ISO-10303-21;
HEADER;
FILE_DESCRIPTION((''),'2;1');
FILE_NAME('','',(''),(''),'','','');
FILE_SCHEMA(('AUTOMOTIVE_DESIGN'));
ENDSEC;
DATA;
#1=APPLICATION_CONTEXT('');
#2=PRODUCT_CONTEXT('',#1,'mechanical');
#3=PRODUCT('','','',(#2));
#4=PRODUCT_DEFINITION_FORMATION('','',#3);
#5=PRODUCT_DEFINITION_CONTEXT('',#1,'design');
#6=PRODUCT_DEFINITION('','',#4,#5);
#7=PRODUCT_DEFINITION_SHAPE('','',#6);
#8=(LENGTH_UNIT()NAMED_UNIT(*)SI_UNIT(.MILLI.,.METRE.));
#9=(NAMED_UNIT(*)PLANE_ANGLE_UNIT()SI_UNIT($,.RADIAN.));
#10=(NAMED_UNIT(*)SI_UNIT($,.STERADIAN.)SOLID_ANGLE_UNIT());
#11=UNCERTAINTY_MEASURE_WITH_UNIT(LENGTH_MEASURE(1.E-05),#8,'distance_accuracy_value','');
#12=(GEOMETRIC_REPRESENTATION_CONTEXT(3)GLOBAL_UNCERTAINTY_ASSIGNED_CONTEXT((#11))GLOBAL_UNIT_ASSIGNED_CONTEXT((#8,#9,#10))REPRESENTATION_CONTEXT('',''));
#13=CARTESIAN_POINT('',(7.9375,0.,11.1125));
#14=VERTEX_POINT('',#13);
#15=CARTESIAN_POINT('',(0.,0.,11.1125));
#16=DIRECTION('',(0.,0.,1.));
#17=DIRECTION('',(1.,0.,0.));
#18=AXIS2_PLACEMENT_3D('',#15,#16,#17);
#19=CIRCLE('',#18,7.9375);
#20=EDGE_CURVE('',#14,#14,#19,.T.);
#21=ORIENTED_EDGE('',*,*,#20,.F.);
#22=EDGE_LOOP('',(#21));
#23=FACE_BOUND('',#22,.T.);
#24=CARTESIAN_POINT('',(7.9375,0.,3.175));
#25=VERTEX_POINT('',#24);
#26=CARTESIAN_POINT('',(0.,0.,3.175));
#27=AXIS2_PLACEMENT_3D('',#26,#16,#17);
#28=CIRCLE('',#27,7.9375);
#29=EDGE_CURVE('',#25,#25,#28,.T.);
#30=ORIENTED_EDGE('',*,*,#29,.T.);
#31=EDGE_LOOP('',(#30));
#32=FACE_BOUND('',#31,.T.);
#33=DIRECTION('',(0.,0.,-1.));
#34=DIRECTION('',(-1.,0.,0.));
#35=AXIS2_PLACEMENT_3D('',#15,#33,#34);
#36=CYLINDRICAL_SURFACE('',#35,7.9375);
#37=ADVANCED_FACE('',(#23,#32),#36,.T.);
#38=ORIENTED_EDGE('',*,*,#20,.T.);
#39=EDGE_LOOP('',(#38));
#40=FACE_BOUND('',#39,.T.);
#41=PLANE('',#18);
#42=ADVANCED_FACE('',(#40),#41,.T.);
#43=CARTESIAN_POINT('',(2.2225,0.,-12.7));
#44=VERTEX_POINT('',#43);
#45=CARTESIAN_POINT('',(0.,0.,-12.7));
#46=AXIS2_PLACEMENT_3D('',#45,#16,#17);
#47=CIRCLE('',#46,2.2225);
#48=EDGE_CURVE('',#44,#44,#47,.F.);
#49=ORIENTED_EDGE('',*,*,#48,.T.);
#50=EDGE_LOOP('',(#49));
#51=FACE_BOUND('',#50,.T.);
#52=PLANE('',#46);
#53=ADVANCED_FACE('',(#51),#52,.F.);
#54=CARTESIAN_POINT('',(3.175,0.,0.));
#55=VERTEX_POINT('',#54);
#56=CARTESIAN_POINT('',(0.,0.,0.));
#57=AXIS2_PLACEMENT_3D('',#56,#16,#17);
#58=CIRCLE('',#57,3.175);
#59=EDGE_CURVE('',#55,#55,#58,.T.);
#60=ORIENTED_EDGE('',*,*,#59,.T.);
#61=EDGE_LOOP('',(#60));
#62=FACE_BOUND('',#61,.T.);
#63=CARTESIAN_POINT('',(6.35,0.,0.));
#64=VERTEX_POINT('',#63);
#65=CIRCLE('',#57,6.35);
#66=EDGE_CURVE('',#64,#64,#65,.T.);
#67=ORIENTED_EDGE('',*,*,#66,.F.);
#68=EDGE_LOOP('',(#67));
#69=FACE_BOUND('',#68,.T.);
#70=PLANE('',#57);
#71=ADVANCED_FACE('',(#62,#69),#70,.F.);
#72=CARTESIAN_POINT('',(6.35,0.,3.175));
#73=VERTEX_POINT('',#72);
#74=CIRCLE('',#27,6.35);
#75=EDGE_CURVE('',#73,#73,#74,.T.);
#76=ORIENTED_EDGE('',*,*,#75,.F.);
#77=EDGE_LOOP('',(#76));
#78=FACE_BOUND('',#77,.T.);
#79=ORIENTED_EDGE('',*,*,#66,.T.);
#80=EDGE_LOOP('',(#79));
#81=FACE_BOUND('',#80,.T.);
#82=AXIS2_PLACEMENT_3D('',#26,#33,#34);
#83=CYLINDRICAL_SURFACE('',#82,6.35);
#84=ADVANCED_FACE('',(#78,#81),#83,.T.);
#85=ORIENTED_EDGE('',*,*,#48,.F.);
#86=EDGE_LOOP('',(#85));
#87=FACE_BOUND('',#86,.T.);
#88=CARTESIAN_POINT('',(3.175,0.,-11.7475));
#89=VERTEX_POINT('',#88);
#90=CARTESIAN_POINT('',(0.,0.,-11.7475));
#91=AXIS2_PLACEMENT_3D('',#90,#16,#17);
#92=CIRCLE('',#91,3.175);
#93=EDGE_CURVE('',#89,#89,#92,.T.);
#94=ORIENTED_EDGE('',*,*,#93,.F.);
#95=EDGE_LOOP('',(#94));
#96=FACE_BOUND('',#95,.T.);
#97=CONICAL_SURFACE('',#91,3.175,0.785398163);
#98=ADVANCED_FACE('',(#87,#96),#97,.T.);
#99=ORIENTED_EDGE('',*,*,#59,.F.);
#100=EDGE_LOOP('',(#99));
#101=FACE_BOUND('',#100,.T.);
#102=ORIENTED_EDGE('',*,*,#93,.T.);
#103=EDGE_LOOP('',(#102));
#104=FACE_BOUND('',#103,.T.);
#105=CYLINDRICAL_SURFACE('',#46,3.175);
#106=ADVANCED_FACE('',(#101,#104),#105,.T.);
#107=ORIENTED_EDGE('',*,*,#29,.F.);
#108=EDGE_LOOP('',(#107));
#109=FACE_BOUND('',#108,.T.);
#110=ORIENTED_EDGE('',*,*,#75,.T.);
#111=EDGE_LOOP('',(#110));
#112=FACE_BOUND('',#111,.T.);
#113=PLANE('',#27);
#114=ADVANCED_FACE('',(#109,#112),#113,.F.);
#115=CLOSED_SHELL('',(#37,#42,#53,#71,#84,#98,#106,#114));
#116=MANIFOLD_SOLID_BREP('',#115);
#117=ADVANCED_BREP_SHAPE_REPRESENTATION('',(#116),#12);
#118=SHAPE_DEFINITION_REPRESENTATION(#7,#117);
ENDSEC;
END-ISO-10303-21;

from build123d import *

# Parameters (mm, degrees)
SKETCH1_R           = 3.175
EXTRUDE1_DEPTH      = 12.7
CHAMFER2_SIZE       = 0.9525
SKETCH27_R          = 6.35
BOSS_EXTRUDE4_DEPTH = 3.175
SKETCH21_R          = 7.9375
BOSS_EXTRUDE1_DEPTH = 7.9375


with BuildPart() as part:
    # Sketch1 → Extrude1 (new body)
    with BuildSketch(Plane.XY):
        Circle(SKETCH1_R)
    extrude(amount=-EXTRUDE1_DEPTH)

    # Chamfer2
    chamfer2_edges = [part.edges().sort_by_distance(p)[0] for p in [
        (-3.175, 0, -12.7),
    ]]
    chamfer(chamfer2_edges, length=CHAMFER2_SIZE)

    # Sketch27 → Boss-Extrude4 (add)
    with BuildSketch(Plane.XY):
        Circle(SKETCH27_R)
    extrude(amount=BOSS_EXTRUDE4_DEPTH)

    # Sketch21 → Boss-Extrude1 (add)
    with BuildSketch(Plane.XY.offset(3.175)):
        Circle(SKETCH21_R)
    extrude(amount=BOSS_EXTRUDE1_DEPTH)


solid = part.part
